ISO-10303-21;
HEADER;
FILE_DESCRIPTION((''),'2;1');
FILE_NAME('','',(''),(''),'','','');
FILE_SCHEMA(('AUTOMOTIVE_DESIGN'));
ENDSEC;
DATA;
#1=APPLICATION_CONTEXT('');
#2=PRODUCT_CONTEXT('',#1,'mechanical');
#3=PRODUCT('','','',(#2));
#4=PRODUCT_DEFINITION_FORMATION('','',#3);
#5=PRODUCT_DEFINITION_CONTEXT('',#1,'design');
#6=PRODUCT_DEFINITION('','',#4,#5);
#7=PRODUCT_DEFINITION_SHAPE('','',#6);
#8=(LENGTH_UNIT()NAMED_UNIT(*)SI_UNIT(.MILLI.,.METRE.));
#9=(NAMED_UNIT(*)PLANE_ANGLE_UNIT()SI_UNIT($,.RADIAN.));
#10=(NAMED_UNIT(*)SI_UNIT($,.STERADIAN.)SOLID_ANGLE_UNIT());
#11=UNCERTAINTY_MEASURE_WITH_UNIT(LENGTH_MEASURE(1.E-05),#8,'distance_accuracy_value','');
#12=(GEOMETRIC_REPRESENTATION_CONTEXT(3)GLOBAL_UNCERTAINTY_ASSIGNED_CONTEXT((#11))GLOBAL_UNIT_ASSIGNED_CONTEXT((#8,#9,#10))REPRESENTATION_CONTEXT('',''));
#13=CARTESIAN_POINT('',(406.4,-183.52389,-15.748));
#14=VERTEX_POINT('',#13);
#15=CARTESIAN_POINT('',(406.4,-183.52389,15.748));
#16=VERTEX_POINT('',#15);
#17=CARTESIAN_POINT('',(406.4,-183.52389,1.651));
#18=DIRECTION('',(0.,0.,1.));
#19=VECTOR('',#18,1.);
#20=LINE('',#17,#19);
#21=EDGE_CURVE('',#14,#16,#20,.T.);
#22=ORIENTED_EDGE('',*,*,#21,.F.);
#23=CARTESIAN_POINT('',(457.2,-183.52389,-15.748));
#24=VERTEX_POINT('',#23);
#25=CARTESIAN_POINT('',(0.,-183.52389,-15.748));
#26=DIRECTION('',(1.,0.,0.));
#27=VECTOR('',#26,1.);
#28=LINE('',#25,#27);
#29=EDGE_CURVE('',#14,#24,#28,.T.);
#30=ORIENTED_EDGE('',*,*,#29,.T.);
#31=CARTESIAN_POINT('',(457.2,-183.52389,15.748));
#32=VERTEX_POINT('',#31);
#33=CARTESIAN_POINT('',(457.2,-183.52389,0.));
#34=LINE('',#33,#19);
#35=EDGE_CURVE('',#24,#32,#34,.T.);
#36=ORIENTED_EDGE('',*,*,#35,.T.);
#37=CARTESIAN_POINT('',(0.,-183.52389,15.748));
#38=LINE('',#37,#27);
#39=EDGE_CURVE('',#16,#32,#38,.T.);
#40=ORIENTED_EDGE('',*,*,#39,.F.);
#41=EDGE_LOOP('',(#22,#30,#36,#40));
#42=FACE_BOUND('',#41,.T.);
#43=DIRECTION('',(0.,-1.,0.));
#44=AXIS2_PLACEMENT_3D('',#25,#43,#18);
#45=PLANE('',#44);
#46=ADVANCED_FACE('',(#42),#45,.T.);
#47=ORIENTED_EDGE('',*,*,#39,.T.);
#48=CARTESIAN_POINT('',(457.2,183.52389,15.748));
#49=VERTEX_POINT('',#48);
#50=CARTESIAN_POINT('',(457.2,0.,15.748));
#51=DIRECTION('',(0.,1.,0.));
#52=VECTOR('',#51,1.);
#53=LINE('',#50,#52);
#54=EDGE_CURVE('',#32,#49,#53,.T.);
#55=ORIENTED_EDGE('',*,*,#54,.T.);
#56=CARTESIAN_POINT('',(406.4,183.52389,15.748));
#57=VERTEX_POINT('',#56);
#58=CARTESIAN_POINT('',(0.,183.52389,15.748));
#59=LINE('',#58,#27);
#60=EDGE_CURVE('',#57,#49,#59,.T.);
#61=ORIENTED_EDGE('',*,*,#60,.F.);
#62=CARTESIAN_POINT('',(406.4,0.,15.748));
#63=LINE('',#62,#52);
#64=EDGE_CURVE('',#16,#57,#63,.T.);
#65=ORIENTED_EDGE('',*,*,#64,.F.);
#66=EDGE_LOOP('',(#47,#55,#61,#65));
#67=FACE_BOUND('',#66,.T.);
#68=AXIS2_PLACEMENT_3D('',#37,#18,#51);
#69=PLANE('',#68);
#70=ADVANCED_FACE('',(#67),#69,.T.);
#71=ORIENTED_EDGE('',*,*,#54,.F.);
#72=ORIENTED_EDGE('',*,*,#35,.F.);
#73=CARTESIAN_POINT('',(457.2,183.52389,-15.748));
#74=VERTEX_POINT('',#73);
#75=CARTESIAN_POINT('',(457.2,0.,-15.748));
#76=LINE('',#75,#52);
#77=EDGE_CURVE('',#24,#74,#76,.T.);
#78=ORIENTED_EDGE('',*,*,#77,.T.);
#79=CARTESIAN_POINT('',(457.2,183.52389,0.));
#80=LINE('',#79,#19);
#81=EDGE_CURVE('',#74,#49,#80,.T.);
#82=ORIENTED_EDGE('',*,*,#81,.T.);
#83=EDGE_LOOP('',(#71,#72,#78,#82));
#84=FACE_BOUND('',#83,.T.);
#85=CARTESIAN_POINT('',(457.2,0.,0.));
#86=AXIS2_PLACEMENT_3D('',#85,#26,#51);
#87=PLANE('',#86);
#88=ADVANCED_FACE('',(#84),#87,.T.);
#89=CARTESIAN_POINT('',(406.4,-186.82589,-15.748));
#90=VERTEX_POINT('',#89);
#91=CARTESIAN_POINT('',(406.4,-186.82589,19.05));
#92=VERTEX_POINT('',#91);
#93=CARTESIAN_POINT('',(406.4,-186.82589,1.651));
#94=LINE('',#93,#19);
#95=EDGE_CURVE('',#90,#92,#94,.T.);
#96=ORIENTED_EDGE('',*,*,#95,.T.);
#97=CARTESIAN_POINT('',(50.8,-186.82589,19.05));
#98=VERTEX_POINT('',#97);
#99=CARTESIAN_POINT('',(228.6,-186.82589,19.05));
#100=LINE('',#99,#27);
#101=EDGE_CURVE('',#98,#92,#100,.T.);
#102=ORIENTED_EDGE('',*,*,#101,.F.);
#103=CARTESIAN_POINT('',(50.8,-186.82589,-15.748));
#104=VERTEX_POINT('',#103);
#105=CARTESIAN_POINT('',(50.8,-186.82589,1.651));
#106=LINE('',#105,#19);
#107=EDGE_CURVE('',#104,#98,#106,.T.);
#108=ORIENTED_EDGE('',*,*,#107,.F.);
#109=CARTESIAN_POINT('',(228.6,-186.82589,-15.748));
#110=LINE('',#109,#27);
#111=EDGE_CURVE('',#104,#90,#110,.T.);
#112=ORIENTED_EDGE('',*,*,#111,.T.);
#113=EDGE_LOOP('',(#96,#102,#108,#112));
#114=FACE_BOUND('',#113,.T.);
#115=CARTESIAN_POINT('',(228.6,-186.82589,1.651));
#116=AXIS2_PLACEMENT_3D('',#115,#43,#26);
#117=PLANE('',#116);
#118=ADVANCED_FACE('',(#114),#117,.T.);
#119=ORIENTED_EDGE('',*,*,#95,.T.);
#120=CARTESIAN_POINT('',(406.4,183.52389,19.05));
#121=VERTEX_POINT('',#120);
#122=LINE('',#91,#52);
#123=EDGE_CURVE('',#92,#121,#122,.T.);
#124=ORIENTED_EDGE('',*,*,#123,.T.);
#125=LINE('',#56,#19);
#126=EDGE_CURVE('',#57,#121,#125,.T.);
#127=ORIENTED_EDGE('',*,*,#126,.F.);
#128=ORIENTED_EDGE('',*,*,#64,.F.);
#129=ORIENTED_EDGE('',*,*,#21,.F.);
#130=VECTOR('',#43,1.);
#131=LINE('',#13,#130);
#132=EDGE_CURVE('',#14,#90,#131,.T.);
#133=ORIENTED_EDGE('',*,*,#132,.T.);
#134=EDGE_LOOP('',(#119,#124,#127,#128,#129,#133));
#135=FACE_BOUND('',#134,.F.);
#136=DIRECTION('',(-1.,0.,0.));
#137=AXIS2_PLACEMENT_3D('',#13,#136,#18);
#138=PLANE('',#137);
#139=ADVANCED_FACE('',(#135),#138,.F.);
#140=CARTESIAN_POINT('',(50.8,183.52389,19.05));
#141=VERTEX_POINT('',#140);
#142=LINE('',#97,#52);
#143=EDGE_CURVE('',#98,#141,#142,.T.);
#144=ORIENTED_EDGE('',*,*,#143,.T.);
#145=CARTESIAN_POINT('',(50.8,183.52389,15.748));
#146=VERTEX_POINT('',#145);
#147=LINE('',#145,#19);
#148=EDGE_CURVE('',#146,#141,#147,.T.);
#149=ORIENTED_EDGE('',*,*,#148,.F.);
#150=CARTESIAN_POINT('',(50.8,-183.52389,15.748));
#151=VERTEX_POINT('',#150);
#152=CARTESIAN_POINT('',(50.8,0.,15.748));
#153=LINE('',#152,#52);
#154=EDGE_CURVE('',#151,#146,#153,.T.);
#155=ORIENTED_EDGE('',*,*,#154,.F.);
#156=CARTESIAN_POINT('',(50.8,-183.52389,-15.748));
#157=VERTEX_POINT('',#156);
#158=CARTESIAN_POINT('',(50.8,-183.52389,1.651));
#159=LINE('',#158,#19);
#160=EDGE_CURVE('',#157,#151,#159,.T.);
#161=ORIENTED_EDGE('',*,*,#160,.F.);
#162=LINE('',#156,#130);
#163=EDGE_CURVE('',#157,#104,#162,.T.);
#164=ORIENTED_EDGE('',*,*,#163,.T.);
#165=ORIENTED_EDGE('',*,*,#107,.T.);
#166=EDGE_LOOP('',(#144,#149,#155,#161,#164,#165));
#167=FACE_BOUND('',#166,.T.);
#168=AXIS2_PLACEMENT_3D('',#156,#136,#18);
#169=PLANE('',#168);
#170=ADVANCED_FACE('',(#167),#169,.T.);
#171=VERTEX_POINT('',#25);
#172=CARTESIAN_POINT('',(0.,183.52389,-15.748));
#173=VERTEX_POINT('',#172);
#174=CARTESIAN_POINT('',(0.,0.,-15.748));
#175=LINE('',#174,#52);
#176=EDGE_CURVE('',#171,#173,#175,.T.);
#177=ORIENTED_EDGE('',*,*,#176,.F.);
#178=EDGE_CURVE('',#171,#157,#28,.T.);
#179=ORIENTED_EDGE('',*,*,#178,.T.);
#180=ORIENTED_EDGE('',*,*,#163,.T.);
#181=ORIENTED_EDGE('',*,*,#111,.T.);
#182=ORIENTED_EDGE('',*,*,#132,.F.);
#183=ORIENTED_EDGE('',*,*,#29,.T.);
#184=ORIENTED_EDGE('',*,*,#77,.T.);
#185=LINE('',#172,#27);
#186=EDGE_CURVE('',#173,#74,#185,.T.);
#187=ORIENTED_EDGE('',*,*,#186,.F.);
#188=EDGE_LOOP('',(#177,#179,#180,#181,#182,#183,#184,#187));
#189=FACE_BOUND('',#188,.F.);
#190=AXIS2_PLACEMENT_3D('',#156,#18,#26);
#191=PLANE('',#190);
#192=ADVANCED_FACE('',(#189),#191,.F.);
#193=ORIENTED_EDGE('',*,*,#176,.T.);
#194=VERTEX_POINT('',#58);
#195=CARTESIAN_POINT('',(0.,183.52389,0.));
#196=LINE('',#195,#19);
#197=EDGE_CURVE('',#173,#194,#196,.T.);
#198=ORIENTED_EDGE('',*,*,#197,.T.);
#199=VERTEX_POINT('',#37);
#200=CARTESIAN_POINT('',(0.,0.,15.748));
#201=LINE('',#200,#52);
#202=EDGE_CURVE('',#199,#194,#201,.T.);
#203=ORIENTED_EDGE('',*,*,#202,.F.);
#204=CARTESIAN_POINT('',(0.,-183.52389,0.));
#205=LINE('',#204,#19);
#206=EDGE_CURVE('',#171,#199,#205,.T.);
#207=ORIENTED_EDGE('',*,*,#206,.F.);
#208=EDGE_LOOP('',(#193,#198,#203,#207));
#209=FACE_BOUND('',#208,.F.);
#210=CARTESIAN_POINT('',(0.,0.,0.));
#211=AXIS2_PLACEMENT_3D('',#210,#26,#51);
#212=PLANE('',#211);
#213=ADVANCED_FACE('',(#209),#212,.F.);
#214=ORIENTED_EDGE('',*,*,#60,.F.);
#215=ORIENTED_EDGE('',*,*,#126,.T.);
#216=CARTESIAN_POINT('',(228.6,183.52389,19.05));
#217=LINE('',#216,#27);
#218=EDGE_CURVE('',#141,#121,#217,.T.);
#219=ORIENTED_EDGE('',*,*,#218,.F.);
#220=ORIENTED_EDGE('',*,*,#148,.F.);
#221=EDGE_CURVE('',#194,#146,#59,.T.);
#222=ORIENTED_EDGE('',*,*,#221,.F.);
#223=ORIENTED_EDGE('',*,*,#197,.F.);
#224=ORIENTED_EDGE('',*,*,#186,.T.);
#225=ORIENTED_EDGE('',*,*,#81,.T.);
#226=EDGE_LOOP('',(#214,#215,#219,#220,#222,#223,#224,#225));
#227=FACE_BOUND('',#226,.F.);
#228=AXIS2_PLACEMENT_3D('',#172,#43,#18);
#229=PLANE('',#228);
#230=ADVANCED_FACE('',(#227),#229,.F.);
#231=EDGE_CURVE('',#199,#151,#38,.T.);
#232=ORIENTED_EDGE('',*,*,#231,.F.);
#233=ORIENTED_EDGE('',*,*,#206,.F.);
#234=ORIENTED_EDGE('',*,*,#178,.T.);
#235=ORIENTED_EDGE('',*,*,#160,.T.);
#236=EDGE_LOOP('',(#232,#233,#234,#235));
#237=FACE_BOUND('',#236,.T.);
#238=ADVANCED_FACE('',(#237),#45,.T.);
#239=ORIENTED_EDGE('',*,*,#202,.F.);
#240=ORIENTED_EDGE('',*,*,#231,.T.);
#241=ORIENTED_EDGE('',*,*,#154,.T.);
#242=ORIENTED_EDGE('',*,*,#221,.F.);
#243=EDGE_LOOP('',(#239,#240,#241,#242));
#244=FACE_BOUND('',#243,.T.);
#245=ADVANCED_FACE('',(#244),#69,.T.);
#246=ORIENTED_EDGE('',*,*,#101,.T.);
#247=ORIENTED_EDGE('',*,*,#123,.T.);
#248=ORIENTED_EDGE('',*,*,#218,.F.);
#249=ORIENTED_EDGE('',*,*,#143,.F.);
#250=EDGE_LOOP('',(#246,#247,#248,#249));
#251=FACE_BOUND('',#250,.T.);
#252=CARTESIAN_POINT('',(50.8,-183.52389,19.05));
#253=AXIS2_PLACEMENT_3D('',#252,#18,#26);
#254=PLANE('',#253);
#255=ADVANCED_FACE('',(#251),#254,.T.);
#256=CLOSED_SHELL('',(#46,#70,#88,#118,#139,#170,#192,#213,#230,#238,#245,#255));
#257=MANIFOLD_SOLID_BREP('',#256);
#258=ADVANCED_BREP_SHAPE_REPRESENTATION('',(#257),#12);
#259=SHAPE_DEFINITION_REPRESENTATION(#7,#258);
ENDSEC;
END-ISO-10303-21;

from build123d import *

# Parameters (mm, degrees)
F0_W     = 367.04778
F0_H     = 31.496
F1_DEPTH = 457.2
F2_W     = 355.6
F2_H     = 367.04778
F3_DEPTH = 3.302
F4_W     = 355.6
F4_H     = 34.798
F5_DEPTH = 3.302


with BuildPart() as f1:
    # F0 (on Right) → F1 (new body)
    with BuildSketch(Plane.YZ):
        Rectangle(F0_W, F0_H)
    extrude(amount=F1_DEPTH)

    # F2 (on face) → F3 (join)
    with BuildSketch(Plane.XY.offset(15.748)):
        with Locations((228.6, 0)):
            Rectangle(F2_W, F2_H)
    extrude(amount=F3_DEPTH)

    # F4 (on face) → F5 (join)
    with BuildSketch(Plane.XZ.offset(183.52389)):
        with Locations((228.6, 1.651)):
            Rectangle(F4_W, F4_H)
    extrude(amount=F5_DEPTH)


solid = f1.part
